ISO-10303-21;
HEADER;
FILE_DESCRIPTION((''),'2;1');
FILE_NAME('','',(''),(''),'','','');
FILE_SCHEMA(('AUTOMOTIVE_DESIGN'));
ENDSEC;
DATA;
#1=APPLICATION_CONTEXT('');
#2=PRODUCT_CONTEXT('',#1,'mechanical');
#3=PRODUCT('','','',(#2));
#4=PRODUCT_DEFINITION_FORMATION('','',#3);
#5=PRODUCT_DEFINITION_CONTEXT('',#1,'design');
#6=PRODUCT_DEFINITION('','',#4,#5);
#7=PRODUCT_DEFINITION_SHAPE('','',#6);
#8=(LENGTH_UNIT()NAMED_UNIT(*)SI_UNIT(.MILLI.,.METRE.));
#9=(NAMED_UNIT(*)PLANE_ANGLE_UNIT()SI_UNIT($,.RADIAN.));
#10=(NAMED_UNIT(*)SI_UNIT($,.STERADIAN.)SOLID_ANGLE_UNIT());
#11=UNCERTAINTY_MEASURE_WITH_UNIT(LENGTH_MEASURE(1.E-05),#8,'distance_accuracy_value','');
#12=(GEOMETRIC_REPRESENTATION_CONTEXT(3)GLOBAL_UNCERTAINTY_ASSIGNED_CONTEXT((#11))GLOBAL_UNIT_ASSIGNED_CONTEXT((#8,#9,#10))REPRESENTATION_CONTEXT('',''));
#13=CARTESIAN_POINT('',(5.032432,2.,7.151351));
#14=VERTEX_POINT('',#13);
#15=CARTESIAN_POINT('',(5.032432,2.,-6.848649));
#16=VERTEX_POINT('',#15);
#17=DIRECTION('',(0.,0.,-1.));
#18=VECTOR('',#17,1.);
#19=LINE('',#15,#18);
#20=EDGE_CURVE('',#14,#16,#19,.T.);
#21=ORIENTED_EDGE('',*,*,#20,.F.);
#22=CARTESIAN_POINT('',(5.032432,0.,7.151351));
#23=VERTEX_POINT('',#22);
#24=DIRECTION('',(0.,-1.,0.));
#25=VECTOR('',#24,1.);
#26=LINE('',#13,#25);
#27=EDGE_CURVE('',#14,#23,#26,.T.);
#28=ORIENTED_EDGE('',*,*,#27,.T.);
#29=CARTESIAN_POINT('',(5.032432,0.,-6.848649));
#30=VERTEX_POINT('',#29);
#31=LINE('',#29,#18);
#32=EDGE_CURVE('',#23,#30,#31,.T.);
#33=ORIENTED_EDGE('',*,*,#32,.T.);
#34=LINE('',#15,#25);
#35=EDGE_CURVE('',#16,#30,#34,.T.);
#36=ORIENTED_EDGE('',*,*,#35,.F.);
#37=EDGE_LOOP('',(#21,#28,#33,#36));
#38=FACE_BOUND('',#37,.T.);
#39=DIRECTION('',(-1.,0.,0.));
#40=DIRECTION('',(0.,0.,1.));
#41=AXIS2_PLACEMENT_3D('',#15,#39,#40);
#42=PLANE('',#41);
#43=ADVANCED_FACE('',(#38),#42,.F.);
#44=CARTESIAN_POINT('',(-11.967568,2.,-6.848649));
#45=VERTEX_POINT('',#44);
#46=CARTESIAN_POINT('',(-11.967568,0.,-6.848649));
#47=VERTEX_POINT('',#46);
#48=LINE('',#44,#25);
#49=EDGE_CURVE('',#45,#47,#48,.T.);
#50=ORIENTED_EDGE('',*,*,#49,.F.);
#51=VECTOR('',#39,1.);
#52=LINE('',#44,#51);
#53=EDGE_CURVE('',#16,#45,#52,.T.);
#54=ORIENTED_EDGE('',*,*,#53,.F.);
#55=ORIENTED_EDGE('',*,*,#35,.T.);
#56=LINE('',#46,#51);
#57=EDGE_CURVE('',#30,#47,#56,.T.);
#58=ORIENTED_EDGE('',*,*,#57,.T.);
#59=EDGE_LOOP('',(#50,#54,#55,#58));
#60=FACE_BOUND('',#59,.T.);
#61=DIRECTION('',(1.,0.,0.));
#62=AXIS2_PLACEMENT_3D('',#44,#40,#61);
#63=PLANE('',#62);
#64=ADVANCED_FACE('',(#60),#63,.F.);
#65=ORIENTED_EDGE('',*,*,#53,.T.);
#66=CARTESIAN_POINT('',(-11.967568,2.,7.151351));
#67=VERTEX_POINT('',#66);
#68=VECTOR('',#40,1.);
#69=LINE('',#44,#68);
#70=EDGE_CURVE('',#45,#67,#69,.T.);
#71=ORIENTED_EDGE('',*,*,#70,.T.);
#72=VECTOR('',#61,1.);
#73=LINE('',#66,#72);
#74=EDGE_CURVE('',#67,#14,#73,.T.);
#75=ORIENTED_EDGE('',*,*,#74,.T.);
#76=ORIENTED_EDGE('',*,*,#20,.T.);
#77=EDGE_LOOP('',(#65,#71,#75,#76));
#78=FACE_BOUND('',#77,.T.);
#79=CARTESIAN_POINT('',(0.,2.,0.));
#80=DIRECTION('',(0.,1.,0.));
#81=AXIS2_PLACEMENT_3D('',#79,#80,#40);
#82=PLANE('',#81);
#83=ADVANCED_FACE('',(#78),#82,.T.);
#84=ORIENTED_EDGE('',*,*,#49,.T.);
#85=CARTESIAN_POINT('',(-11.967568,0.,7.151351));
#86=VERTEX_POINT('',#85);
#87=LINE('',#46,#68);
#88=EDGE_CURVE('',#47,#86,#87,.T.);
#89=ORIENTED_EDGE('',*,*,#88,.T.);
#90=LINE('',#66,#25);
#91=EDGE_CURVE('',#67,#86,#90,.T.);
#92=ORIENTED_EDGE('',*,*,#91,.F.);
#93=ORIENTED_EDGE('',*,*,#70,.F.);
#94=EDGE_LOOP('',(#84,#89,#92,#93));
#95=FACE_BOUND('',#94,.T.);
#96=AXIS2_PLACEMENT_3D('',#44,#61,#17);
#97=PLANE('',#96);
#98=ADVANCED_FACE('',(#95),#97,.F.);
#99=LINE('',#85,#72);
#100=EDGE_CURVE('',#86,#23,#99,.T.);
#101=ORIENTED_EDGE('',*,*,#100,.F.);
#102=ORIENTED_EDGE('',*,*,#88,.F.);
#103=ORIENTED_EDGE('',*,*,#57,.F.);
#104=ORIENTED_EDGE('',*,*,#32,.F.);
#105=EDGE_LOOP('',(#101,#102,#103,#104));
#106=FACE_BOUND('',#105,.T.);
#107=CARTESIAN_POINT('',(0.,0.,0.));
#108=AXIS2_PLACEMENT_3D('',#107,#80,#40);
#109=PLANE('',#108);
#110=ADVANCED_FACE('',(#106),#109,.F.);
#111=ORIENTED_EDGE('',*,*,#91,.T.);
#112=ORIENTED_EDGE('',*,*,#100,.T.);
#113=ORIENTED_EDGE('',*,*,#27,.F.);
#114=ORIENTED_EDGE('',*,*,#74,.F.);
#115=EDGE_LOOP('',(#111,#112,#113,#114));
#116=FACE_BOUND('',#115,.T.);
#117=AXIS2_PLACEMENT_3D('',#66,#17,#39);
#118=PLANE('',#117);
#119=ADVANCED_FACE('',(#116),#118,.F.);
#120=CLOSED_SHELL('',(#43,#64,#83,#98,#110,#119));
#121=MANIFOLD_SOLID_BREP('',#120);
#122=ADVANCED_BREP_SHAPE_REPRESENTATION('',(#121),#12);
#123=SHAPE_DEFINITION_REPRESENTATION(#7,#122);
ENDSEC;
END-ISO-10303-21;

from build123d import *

# Parameters (mm, degrees)
SKETCH2_W           = 17
SKETCH2_H           = 14
BOSS_EXTRUDE1_DEPTH = 2


with BuildPart() as part:
    # Sketch2 → Boss-Extrude1 (new body)
    with BuildSketch(Plane(origin=(0, 0, 0), x_dir=(1, 0, 0), z_dir=(0, 1, 0))):
        with Locations((-3.467567568, -0.151351351)):
            Rectangle(SKETCH2_W, SKETCH2_H)
    extrude(amount=BOSS_EXTRUDE1_DEPTH)


solid = part.part
